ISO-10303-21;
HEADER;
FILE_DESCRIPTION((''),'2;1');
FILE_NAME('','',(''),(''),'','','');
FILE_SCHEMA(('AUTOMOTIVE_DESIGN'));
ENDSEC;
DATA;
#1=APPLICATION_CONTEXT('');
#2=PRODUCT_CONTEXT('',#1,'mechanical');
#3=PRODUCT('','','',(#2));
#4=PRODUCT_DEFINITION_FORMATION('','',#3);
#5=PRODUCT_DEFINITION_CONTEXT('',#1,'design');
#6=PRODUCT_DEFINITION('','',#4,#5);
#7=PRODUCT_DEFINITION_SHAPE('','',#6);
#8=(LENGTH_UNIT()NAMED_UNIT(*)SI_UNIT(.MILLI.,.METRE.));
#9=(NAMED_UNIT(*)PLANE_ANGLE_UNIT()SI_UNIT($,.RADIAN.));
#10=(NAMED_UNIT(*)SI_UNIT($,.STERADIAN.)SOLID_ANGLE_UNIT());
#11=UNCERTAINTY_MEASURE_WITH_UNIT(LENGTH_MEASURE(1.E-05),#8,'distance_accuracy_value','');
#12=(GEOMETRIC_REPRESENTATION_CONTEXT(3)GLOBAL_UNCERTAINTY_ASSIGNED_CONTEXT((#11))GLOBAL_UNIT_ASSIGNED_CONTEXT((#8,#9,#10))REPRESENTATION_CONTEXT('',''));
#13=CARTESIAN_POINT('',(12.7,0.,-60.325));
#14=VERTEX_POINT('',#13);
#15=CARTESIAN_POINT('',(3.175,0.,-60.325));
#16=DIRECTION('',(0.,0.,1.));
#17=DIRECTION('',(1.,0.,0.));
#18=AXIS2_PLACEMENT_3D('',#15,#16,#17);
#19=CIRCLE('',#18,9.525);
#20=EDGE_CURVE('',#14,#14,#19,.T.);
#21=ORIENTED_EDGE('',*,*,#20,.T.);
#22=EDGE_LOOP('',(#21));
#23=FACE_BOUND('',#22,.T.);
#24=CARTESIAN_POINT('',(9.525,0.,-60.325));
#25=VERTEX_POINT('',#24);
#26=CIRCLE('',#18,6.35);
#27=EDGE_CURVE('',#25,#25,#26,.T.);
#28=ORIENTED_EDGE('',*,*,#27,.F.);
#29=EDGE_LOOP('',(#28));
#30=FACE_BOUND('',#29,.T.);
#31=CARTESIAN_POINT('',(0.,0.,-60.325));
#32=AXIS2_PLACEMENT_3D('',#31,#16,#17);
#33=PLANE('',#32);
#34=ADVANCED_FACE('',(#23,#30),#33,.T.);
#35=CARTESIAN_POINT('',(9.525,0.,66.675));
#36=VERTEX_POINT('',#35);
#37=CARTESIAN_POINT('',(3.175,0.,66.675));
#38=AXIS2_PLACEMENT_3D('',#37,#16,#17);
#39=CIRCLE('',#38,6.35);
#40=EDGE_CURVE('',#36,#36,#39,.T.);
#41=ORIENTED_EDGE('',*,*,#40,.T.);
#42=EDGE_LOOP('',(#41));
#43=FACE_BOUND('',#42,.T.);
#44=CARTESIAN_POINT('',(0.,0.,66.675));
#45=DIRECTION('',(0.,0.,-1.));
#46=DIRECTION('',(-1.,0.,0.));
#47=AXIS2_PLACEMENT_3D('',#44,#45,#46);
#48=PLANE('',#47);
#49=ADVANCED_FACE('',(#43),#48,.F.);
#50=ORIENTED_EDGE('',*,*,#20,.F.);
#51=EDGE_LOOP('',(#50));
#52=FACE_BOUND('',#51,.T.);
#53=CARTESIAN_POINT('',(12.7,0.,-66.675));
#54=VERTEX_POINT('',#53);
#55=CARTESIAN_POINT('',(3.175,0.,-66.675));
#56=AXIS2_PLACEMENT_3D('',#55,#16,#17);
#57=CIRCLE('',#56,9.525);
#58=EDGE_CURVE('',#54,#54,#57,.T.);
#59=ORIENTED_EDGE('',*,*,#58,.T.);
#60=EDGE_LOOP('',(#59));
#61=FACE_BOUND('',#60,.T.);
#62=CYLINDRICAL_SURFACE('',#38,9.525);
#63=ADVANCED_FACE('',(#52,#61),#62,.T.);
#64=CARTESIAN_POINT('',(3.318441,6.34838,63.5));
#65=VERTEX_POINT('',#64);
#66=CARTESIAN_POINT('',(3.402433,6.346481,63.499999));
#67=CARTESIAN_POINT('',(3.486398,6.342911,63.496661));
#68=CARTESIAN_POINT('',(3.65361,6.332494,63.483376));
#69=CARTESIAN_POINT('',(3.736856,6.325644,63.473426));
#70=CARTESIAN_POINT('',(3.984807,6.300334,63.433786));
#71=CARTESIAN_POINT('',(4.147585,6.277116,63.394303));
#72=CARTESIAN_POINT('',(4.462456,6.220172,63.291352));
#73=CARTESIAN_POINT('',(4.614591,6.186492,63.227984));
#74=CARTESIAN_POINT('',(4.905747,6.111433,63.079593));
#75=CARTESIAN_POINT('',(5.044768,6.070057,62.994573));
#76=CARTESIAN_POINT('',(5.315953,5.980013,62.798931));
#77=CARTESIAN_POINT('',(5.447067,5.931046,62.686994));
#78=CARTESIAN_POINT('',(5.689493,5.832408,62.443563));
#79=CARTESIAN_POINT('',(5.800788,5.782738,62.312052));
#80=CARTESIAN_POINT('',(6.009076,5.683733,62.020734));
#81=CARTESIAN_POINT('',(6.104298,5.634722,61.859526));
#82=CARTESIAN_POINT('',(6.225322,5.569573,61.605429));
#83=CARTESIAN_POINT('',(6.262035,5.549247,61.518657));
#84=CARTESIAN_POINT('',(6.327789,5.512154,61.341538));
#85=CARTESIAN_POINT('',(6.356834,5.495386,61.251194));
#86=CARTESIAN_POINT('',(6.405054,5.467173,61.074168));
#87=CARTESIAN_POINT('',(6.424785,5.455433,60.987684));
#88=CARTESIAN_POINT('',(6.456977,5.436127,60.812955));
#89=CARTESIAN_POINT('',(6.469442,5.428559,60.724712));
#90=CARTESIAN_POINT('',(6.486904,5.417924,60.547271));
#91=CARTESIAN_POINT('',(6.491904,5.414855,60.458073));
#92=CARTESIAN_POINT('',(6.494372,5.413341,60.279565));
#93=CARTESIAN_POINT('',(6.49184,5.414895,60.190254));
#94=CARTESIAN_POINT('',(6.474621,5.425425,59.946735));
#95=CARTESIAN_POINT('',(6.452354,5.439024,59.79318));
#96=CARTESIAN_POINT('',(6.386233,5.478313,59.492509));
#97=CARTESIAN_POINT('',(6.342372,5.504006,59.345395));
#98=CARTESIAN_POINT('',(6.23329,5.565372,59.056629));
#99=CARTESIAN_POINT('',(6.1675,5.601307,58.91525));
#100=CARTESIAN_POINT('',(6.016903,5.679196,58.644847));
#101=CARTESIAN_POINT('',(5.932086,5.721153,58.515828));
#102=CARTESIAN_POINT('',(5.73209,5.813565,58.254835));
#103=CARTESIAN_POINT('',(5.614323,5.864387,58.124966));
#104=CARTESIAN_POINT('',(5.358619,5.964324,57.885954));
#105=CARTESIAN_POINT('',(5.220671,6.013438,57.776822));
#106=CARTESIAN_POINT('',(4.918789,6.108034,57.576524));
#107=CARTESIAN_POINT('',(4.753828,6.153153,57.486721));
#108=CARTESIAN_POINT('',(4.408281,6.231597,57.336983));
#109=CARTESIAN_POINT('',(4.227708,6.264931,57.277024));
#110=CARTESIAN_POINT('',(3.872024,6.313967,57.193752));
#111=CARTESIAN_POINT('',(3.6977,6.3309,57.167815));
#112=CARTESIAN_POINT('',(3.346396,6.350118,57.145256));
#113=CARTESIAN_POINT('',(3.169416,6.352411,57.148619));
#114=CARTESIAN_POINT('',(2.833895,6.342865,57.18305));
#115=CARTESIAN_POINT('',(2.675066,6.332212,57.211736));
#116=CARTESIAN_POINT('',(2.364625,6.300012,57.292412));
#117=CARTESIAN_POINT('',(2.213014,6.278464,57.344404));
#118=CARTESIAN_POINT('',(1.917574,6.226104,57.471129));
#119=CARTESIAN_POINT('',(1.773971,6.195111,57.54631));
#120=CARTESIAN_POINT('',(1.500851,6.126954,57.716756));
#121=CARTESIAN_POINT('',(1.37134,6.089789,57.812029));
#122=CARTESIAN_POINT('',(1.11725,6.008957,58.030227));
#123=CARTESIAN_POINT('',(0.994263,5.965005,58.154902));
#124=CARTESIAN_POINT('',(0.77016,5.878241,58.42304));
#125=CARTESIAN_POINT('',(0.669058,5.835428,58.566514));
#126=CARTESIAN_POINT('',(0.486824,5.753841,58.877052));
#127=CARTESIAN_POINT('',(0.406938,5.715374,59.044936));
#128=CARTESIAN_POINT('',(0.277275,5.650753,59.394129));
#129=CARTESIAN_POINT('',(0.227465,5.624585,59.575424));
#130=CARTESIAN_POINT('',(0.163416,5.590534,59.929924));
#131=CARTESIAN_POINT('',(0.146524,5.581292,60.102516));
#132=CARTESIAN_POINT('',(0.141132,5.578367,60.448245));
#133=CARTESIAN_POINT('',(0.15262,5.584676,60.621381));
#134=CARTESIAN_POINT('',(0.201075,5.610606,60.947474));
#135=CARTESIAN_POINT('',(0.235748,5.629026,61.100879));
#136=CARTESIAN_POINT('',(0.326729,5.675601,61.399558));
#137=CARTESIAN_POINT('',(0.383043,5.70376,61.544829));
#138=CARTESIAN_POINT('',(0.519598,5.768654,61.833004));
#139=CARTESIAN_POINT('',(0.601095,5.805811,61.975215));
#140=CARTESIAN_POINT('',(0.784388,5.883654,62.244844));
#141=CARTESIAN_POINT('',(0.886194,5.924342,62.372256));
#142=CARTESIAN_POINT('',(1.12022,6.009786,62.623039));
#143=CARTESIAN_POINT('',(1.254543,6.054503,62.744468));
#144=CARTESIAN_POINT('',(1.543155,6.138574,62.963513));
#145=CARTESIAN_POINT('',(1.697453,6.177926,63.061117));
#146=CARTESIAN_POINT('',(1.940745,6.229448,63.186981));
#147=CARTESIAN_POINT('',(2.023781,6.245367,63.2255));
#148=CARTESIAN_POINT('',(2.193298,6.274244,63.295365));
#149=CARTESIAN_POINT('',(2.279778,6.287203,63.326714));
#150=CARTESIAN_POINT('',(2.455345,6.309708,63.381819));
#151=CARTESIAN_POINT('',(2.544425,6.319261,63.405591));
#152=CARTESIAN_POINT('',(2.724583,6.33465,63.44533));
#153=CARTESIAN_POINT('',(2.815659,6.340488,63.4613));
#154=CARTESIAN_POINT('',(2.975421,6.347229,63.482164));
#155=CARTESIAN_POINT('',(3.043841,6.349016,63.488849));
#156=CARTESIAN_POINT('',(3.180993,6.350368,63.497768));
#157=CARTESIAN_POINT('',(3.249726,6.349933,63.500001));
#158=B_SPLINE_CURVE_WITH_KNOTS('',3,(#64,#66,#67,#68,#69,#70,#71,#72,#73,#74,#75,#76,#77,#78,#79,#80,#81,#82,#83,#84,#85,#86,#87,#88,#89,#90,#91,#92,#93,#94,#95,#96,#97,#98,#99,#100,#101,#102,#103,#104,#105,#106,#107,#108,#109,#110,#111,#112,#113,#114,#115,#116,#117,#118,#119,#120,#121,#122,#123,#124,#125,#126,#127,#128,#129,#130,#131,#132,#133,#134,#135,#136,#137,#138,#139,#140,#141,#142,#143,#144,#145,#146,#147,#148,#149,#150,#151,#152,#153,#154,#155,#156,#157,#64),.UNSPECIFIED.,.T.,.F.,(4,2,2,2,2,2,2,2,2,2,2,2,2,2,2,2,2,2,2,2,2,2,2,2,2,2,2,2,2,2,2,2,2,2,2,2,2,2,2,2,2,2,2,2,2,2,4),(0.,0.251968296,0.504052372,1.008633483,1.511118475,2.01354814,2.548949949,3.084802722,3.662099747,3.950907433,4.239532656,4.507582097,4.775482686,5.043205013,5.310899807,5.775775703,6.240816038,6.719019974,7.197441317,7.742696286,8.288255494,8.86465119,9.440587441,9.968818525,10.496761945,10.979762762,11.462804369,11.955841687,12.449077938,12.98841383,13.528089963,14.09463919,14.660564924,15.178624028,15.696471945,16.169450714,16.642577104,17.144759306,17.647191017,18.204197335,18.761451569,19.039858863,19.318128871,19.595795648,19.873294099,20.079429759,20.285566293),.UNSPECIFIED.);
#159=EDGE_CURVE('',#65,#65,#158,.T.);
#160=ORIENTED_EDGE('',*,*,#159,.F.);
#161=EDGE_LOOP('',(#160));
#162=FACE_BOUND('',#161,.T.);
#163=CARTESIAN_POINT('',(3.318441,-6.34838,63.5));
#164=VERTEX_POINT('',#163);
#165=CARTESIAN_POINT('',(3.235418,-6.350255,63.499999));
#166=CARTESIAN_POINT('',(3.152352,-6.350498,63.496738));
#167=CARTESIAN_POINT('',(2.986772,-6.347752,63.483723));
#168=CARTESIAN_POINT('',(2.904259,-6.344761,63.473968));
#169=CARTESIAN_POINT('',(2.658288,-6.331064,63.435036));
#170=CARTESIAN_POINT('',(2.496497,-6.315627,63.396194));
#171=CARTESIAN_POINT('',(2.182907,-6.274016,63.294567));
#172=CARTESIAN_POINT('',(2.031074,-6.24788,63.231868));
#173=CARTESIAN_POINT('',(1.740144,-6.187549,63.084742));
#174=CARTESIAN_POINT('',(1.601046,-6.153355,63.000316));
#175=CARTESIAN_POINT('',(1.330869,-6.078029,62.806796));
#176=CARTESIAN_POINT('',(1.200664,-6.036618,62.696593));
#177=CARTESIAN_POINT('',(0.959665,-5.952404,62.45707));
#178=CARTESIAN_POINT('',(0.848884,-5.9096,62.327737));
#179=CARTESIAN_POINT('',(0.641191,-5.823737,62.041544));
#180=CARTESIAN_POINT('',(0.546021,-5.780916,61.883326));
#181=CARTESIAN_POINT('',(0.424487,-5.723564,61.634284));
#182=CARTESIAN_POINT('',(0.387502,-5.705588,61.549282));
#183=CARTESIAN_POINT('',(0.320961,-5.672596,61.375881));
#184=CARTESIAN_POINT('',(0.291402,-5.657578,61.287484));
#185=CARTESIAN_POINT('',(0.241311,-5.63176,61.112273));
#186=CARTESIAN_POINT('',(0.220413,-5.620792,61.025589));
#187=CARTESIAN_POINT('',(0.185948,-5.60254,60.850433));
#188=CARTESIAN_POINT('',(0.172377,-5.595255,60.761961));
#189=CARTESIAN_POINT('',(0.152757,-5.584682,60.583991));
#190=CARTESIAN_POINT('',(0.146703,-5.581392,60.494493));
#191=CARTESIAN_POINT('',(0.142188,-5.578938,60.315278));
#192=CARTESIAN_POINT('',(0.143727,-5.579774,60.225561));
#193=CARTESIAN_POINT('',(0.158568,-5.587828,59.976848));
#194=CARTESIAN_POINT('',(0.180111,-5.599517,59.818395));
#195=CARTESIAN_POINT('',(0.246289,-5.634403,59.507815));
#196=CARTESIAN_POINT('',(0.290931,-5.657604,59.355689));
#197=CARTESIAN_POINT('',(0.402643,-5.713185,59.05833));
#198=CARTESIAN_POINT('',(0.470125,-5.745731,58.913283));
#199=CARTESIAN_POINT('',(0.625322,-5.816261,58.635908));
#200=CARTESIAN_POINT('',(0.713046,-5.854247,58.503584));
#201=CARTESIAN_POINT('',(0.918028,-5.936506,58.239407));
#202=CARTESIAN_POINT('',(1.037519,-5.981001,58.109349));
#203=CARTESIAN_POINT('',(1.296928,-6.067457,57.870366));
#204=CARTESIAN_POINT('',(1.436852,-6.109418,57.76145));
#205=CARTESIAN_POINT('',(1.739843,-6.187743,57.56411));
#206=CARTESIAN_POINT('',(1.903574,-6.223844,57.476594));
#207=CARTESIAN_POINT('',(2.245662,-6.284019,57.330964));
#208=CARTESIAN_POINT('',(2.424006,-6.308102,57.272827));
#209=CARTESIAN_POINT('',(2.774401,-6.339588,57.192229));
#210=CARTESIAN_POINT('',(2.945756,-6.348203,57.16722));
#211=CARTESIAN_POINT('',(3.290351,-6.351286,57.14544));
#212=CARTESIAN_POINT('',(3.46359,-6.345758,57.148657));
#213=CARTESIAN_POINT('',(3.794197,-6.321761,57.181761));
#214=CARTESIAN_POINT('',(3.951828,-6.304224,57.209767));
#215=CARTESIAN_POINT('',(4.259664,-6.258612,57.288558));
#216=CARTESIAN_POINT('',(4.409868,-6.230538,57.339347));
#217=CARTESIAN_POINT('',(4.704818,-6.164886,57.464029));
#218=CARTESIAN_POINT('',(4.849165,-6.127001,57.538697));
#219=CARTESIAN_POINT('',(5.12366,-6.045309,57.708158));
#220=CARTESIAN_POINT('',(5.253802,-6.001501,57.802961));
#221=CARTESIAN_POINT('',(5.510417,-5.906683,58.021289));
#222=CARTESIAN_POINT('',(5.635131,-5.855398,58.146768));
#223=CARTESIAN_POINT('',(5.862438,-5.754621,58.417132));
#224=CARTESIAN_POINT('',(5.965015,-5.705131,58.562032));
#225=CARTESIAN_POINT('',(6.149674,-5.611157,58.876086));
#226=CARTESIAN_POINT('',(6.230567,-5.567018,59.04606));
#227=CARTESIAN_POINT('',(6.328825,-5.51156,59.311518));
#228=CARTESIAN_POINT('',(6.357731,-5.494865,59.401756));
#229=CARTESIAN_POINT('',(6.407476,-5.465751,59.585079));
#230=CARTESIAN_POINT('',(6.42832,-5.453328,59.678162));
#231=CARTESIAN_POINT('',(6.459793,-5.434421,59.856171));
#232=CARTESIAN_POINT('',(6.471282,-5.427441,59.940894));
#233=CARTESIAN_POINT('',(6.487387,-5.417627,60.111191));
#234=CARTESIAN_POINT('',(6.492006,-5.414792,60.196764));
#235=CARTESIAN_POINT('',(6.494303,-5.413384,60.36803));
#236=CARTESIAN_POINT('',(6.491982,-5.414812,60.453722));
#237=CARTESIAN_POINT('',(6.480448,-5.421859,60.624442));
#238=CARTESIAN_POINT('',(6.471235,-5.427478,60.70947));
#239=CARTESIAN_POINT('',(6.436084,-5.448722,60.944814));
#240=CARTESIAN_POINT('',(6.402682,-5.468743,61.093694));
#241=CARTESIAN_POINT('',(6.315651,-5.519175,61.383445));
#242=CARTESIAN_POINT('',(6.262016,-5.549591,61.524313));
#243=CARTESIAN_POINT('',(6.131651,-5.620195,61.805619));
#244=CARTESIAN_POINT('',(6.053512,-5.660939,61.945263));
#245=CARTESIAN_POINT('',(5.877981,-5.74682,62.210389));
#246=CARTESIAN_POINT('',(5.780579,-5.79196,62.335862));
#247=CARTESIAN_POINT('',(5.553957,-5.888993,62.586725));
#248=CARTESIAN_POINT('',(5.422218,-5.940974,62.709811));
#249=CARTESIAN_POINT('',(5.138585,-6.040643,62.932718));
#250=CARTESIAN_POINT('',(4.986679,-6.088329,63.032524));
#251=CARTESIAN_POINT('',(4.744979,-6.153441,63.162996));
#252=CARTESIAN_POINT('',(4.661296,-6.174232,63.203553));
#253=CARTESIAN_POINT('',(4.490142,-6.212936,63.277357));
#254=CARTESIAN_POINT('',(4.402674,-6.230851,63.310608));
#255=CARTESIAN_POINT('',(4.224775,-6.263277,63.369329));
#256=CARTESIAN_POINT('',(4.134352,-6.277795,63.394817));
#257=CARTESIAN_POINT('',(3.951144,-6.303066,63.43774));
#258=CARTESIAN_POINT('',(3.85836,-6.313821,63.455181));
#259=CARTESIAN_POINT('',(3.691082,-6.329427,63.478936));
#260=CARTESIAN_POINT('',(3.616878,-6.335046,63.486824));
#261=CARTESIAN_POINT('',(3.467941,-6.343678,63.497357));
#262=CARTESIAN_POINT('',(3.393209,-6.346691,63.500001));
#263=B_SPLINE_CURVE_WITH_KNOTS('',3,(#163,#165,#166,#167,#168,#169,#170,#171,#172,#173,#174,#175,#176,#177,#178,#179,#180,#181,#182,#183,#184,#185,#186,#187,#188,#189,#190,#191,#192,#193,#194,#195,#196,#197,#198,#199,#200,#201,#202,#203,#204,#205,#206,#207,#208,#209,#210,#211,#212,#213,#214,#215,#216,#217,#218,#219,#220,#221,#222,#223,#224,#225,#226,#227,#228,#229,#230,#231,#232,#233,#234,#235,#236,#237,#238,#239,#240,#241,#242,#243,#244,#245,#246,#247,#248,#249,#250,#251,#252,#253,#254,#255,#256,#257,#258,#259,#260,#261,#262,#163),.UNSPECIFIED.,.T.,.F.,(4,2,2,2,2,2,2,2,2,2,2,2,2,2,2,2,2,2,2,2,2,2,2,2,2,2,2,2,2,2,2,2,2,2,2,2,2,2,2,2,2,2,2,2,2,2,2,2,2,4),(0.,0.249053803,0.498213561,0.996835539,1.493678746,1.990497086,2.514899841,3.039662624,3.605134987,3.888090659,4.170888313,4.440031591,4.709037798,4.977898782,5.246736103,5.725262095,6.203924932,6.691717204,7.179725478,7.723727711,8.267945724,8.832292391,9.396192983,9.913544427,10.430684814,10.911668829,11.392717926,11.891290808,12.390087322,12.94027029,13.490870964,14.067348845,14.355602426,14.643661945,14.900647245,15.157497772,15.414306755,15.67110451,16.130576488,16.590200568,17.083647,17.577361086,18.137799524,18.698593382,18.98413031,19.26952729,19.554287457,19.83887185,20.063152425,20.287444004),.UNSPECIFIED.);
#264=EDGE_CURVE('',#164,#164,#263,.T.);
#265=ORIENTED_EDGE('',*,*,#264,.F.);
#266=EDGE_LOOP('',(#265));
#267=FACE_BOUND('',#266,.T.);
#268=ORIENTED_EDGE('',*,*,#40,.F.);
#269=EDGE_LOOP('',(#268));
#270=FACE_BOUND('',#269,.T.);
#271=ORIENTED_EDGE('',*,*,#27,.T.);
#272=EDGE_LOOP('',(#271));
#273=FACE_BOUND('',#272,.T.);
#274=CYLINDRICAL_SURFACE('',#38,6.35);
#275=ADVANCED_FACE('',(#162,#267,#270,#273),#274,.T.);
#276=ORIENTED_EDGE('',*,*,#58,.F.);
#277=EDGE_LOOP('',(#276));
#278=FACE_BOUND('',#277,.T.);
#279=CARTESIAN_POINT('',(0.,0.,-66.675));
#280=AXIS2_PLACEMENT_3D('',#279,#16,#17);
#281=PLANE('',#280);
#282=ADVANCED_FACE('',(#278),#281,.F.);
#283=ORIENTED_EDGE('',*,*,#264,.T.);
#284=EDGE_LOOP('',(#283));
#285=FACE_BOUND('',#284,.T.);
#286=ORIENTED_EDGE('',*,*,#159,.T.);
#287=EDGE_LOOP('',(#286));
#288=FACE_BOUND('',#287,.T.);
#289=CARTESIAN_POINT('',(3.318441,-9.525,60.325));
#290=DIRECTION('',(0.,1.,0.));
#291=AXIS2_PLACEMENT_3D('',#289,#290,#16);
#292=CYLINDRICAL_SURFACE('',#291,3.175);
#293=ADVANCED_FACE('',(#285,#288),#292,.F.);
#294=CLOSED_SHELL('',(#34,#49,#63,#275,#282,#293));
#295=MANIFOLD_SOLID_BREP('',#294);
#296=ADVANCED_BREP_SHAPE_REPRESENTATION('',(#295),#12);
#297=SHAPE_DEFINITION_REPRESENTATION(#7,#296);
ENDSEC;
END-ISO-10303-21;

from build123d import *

# Parameters (mm, degrees)
SKETCH2_W               = 3.175
SKETCH2_H               = 6.35
SKETCH2_W_2             = 6.35
SKETCH2_H_2             = 133.35
CUT_EXTRUDE2_DEPTH      = 69.538830235
CUT_EXTRUDE2_DEPTH_BACK = 69.538830235
SKETCH5_R               = 3.175


with BuildPart() as part:
    # Sketch2 → Revolve1 (revolve)
    with BuildSketch(Plane(origin=(0, 0, 0), x_dir=(1, 0, 0), z_dir=(0, 1, 0)), mode=Mode.PRIVATE) as revolve1_sk:
        with Locations((-4.7625, 63.5)):
            Rectangle(SKETCH2_W, SKETCH2_H)
        Rectangle(SKETCH2_W_2, SKETCH2_H_2)
    revolve(revolve1_sk.sketch.rotate(Axis((3.175, 0, 66.675), (0, 0, -1)), 180), axis=Axis((3.175, 0, 66.675), (0, 0, -1)))

    # Sketch5 → Cut-Extrude2 (cut, two sides: drawn at the far end of the back side and taken through both)
    with BuildSketch(Plane(origin=(0, 0, 0), x_dir=(1, 0, 0), z_dir=(0, 1, 0)).offset(-CUT_EXTRUDE2_DEPTH_BACK)):
        with Locations(Location((3.318440536, -60.325, 0), (0, 0, 270))):
            Circle(SKETCH5_R)
    extrude(amount=CUT_EXTRUDE2_DEPTH + CUT_EXTRUDE2_DEPTH_BACK, mode=Mode.SUBTRACT)


solid = part.part
